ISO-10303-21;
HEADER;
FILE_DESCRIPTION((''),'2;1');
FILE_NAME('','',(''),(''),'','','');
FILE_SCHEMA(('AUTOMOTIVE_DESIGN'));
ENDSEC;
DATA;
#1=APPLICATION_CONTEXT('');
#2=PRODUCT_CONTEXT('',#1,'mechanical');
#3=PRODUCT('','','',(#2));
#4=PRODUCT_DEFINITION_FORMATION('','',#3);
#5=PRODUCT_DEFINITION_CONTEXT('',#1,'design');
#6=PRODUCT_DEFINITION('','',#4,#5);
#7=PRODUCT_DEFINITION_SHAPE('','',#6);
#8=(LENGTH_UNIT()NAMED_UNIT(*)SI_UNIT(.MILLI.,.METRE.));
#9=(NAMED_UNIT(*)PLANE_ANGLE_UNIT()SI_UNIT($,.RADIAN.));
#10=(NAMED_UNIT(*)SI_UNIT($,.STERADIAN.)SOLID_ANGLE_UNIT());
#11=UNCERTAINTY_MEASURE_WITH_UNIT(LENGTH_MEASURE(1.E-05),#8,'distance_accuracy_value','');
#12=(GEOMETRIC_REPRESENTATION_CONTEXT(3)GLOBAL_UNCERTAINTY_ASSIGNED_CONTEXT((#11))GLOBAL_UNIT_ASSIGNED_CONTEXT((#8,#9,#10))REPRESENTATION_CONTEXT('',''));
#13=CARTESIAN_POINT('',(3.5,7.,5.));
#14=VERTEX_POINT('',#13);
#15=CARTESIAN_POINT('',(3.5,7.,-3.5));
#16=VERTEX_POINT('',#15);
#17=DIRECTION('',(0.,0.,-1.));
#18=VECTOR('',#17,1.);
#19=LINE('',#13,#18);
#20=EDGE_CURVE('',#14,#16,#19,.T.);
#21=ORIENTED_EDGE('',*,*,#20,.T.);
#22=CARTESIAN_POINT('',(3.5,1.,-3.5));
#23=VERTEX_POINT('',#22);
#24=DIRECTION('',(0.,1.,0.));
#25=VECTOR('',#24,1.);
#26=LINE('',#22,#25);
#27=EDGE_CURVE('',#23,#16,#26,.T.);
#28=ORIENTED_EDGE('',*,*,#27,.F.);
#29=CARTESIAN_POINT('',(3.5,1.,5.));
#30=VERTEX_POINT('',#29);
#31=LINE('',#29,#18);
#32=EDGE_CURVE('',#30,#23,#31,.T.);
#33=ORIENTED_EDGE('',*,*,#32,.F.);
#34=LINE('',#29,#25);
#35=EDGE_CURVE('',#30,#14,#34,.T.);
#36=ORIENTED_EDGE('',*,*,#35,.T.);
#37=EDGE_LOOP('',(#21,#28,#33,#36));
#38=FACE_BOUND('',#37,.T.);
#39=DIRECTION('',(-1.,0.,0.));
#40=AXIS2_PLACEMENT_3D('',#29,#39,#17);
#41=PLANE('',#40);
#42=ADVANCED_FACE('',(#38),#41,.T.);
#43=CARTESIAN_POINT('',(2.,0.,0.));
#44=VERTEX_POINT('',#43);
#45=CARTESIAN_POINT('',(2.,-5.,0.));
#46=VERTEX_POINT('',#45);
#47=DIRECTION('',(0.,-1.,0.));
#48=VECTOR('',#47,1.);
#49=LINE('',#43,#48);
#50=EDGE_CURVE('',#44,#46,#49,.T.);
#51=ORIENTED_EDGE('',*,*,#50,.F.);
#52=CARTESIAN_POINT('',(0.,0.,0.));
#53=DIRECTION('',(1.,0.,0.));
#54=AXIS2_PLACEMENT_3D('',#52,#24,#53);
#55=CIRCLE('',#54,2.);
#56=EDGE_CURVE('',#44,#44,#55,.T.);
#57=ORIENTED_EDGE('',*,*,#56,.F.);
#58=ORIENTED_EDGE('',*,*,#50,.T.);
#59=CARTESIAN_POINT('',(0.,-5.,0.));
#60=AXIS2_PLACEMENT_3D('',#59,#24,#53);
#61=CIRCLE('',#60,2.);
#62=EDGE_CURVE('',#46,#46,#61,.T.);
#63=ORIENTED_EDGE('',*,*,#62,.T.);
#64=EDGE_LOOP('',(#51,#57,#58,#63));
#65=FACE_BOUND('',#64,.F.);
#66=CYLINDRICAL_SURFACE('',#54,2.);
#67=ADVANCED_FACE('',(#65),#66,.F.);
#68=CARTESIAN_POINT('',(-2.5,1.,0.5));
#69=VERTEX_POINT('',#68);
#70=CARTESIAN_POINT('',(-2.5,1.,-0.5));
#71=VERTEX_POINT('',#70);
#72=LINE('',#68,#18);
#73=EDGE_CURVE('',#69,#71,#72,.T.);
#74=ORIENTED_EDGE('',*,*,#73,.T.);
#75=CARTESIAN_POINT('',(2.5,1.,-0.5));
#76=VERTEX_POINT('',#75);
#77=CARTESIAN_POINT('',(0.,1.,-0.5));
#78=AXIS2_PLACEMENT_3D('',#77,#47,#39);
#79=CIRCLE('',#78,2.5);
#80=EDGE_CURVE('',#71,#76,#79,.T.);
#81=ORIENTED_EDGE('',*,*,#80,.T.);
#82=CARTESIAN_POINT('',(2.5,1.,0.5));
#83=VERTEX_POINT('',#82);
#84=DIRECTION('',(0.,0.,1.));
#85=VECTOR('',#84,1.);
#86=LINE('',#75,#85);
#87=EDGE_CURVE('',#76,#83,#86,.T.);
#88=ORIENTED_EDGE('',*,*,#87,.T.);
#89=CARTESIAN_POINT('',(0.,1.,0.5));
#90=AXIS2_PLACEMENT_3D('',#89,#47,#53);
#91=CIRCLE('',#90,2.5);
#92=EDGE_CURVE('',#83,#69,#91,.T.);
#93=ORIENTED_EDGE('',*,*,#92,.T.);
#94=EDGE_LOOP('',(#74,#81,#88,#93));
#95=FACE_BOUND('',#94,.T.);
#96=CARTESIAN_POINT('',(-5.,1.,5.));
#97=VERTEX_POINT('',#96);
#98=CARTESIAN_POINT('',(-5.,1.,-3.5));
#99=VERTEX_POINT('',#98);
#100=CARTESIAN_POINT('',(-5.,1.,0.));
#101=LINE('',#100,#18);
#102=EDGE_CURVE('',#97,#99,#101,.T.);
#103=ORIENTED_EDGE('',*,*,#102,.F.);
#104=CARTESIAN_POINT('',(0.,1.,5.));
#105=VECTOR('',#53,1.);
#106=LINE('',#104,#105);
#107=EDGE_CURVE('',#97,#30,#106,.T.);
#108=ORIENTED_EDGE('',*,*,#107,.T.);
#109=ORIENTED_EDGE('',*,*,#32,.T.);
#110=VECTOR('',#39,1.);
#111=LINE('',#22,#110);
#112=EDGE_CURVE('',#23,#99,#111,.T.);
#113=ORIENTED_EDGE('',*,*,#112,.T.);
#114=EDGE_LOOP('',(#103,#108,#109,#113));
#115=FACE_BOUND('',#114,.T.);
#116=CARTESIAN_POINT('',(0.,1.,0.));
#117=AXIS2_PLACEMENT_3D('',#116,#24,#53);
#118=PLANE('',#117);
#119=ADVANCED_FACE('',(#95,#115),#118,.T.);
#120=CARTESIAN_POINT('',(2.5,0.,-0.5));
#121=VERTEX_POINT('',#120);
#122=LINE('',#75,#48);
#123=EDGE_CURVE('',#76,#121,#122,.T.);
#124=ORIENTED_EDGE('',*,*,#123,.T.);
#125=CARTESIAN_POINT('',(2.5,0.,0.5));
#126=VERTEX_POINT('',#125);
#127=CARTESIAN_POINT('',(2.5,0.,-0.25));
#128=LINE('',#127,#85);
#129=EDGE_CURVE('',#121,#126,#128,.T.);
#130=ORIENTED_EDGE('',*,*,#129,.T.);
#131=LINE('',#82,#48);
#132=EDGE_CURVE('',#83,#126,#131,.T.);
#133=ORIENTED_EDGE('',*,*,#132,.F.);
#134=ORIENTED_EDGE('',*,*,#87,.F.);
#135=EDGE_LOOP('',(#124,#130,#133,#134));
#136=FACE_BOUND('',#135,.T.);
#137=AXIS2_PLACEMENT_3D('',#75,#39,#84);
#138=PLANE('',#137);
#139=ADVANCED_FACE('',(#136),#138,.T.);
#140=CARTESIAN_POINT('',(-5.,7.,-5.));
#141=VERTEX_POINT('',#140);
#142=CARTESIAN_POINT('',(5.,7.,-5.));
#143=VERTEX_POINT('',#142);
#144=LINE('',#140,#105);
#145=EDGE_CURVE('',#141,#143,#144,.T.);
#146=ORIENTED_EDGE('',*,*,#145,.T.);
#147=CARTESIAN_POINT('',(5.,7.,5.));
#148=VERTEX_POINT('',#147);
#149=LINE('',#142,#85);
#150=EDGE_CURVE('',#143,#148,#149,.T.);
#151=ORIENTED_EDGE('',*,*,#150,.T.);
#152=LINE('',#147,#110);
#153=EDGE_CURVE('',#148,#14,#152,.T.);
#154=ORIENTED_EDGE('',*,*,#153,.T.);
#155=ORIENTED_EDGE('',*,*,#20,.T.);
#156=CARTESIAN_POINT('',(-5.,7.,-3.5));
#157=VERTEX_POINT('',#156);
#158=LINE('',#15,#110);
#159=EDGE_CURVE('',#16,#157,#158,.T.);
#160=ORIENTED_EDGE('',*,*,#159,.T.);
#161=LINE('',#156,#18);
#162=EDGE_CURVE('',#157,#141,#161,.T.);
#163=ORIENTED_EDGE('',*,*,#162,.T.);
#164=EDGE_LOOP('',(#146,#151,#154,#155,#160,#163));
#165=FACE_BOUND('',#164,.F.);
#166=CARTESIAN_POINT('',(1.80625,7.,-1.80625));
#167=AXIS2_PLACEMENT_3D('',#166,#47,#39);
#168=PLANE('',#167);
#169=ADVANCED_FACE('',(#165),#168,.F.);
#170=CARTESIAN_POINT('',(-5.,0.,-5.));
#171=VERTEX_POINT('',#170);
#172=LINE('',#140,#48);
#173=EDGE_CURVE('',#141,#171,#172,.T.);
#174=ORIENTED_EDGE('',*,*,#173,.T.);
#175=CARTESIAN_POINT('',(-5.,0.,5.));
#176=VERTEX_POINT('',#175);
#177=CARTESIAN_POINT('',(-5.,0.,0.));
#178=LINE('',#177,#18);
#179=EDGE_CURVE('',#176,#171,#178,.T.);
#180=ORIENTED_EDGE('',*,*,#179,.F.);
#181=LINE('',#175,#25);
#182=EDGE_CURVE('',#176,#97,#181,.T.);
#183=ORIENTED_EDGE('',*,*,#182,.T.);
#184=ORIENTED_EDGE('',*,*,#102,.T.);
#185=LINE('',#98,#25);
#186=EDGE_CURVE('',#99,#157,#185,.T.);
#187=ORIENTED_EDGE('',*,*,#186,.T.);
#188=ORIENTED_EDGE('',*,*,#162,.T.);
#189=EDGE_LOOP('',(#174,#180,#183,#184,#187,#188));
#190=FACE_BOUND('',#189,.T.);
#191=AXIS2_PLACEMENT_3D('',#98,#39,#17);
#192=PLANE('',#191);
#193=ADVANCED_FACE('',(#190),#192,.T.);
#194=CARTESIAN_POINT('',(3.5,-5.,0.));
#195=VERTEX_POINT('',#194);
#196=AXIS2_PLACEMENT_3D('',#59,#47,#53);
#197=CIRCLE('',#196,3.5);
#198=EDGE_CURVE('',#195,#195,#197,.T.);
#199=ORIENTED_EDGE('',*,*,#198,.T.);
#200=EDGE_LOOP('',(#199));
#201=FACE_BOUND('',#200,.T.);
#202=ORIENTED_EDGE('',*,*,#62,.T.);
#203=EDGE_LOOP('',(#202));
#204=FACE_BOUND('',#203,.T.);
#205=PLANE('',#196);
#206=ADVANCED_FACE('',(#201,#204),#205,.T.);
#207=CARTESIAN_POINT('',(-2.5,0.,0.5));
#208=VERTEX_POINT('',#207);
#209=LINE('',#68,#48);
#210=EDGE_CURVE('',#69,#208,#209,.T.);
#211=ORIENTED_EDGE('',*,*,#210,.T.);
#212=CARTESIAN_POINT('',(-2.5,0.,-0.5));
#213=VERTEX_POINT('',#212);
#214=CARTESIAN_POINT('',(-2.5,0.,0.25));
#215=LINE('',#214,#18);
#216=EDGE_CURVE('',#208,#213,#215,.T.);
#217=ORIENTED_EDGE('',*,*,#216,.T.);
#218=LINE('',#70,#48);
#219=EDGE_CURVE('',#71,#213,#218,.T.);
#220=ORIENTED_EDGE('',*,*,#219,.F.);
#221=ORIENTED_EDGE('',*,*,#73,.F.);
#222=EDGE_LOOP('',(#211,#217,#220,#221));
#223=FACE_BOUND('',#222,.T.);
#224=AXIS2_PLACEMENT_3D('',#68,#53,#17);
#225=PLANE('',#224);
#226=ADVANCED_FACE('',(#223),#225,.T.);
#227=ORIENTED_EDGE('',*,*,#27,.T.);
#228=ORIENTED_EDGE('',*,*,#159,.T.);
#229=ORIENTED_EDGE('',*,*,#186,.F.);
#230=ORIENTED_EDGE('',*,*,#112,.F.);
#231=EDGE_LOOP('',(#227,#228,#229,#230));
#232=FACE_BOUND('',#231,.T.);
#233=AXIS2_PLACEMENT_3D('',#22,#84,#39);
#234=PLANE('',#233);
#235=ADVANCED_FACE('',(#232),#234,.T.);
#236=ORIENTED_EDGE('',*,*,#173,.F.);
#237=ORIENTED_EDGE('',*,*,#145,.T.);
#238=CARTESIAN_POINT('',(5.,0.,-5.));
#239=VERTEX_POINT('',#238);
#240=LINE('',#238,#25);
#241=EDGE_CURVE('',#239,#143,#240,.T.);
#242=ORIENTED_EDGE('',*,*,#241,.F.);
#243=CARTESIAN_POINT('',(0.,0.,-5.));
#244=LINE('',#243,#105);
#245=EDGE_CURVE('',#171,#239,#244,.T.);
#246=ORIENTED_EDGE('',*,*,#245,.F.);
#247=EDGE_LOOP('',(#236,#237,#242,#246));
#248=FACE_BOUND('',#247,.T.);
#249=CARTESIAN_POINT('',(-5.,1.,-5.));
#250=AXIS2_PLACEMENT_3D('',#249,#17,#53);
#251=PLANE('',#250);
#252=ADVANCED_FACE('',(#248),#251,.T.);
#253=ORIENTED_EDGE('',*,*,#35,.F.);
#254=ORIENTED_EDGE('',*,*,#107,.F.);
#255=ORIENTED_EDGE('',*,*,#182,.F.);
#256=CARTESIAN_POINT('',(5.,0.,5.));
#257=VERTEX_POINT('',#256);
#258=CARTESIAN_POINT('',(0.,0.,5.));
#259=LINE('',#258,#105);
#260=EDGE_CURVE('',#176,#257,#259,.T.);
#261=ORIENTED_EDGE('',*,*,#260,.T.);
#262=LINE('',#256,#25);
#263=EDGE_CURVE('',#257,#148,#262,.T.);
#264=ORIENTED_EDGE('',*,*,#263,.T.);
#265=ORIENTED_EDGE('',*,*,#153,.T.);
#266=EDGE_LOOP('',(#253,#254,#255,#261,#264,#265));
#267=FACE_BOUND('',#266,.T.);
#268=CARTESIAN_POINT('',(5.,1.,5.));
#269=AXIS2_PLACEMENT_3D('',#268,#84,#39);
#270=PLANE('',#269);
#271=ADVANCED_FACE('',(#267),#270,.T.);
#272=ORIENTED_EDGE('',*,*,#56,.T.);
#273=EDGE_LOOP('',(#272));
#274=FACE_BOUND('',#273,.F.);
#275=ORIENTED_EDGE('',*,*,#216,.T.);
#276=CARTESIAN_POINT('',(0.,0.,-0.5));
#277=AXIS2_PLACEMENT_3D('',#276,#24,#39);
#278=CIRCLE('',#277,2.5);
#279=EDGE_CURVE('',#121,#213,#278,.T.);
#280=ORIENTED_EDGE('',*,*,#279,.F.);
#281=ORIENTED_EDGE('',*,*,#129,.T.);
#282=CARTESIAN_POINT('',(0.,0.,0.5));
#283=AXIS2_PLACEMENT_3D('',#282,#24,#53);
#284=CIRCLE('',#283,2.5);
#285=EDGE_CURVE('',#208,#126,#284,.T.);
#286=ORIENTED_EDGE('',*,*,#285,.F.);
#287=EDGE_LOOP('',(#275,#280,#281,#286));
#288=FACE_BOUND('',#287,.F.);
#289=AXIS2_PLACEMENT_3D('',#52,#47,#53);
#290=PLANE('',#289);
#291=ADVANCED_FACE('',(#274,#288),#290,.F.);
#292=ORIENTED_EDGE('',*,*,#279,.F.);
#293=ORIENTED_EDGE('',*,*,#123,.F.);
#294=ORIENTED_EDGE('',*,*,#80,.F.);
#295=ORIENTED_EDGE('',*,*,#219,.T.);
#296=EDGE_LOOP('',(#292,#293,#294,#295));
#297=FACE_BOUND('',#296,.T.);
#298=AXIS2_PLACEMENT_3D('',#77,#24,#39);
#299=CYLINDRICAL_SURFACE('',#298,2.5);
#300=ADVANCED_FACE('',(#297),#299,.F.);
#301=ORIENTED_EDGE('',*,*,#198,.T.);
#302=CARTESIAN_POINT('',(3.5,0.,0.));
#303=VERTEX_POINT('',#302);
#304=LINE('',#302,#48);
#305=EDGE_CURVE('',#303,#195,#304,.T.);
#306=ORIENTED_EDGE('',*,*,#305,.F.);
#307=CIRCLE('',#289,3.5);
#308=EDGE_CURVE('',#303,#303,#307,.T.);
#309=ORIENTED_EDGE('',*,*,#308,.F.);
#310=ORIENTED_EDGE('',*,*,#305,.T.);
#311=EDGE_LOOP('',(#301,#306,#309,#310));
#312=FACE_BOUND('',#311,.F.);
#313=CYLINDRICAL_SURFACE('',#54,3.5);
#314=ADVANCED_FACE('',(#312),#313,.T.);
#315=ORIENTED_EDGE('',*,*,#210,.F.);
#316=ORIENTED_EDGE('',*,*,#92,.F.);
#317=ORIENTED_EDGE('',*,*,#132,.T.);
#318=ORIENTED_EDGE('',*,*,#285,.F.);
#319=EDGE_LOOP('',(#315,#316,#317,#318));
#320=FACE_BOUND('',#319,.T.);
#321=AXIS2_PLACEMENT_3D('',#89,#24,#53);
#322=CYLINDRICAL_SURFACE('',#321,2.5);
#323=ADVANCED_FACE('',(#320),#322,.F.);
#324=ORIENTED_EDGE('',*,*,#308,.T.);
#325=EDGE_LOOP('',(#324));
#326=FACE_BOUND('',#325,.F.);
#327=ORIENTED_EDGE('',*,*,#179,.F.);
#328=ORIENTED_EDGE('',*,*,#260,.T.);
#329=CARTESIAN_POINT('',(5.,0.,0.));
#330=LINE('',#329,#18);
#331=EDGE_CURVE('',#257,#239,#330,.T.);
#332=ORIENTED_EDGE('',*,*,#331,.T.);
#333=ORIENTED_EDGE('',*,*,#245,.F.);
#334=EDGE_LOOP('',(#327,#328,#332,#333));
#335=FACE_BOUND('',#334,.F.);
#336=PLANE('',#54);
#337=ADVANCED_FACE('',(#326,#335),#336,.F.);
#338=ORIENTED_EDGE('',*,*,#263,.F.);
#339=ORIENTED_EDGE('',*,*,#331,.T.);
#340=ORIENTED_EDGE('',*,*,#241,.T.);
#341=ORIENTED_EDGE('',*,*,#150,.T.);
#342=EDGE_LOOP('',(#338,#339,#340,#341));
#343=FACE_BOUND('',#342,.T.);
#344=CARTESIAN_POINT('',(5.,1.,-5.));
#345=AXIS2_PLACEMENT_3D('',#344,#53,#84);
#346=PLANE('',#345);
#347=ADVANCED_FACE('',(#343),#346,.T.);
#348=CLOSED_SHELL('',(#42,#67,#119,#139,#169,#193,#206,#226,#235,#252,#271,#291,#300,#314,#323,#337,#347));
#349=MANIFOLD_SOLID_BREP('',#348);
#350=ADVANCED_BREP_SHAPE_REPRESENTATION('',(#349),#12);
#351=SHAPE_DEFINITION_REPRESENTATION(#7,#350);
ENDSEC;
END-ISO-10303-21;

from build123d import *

# Parameters (mm, degrees)
SKETCH1_W           = 10
SKETCH1_H           = 10
BOSS_EXTRUDE1_DEPTH = 1
CUT_EXTRUDE1_DEPTH  = 1.5
SKETCH3_R           = 3.5
BOSS_EXTRUDE2_DEPTH = 5
SKETCH4_R           = 2
CUT_EXTRUDE2_DEPTH  = 6
BOSS_EXTRUDE3_DEPTH = 6


with BuildPart() as part:
    # Sketch1 → Boss-Extrude1 (new body)
    with BuildSketch(Plane(origin=(0, 0, 0), x_dir=(1, 0, 0), z_dir=(0, 1, 0))):
        Rectangle(SKETCH1_W, SKETCH1_H)
    extrude(amount=BOSS_EXTRUDE1_DEPTH)

    # Sketch2 → Cut-Extrude1 (cut)
    with BuildSketch(Plane(origin=(0, 1, 0), x_dir=(1, 0, 0), z_dir=(0, 1, 0))):
        with BuildLine():
            Line((2.5, 0.5), (2.5, -0.5))
            ThreePointArc((2.5, -0.5), (0, -3), (-2.5, -0.5))
            Line((-2.5, -0.5), (-2.5, 0.5))
            ThreePointArc((-2.5, 0.5), (0, 3), (2.5, 0.5))
        make_face()
    extrude(amount=-CUT_EXTRUDE1_DEPTH, mode=Mode.SUBTRACT)

    # Sketch3 → Boss-Extrude2 (add)
    with BuildSketch(Plane.XZ):
        Circle(SKETCH3_R)
    extrude(amount=BOSS_EXTRUDE2_DEPTH)

    # Sketch4 → Cut-Extrude2 (cut, through all)
    with BuildSketch(Plane(origin=(0, 0, 0), x_dir=(1, 0, 0), z_dir=(0, 1, 0))):
        Circle(SKETCH4_R)
    extrude(amount=-CUT_EXTRUDE2_DEPTH, mode=Mode.SUBTRACT)

    # Sketch6 → Boss-Extrude3 (add)
    with BuildSketch(Plane(origin=(0, 1, 0), x_dir=(1, 0, 0), z_dir=(0, 1, 0))):
        Polygon((3.5, -5), (3.5, 3.5), (-5, 3.5), (-5, 5), (5, 5), (5, -5), align=None)
    extrude(amount=BOSS_EXTRUDE3_DEPTH)


solid = part.part
